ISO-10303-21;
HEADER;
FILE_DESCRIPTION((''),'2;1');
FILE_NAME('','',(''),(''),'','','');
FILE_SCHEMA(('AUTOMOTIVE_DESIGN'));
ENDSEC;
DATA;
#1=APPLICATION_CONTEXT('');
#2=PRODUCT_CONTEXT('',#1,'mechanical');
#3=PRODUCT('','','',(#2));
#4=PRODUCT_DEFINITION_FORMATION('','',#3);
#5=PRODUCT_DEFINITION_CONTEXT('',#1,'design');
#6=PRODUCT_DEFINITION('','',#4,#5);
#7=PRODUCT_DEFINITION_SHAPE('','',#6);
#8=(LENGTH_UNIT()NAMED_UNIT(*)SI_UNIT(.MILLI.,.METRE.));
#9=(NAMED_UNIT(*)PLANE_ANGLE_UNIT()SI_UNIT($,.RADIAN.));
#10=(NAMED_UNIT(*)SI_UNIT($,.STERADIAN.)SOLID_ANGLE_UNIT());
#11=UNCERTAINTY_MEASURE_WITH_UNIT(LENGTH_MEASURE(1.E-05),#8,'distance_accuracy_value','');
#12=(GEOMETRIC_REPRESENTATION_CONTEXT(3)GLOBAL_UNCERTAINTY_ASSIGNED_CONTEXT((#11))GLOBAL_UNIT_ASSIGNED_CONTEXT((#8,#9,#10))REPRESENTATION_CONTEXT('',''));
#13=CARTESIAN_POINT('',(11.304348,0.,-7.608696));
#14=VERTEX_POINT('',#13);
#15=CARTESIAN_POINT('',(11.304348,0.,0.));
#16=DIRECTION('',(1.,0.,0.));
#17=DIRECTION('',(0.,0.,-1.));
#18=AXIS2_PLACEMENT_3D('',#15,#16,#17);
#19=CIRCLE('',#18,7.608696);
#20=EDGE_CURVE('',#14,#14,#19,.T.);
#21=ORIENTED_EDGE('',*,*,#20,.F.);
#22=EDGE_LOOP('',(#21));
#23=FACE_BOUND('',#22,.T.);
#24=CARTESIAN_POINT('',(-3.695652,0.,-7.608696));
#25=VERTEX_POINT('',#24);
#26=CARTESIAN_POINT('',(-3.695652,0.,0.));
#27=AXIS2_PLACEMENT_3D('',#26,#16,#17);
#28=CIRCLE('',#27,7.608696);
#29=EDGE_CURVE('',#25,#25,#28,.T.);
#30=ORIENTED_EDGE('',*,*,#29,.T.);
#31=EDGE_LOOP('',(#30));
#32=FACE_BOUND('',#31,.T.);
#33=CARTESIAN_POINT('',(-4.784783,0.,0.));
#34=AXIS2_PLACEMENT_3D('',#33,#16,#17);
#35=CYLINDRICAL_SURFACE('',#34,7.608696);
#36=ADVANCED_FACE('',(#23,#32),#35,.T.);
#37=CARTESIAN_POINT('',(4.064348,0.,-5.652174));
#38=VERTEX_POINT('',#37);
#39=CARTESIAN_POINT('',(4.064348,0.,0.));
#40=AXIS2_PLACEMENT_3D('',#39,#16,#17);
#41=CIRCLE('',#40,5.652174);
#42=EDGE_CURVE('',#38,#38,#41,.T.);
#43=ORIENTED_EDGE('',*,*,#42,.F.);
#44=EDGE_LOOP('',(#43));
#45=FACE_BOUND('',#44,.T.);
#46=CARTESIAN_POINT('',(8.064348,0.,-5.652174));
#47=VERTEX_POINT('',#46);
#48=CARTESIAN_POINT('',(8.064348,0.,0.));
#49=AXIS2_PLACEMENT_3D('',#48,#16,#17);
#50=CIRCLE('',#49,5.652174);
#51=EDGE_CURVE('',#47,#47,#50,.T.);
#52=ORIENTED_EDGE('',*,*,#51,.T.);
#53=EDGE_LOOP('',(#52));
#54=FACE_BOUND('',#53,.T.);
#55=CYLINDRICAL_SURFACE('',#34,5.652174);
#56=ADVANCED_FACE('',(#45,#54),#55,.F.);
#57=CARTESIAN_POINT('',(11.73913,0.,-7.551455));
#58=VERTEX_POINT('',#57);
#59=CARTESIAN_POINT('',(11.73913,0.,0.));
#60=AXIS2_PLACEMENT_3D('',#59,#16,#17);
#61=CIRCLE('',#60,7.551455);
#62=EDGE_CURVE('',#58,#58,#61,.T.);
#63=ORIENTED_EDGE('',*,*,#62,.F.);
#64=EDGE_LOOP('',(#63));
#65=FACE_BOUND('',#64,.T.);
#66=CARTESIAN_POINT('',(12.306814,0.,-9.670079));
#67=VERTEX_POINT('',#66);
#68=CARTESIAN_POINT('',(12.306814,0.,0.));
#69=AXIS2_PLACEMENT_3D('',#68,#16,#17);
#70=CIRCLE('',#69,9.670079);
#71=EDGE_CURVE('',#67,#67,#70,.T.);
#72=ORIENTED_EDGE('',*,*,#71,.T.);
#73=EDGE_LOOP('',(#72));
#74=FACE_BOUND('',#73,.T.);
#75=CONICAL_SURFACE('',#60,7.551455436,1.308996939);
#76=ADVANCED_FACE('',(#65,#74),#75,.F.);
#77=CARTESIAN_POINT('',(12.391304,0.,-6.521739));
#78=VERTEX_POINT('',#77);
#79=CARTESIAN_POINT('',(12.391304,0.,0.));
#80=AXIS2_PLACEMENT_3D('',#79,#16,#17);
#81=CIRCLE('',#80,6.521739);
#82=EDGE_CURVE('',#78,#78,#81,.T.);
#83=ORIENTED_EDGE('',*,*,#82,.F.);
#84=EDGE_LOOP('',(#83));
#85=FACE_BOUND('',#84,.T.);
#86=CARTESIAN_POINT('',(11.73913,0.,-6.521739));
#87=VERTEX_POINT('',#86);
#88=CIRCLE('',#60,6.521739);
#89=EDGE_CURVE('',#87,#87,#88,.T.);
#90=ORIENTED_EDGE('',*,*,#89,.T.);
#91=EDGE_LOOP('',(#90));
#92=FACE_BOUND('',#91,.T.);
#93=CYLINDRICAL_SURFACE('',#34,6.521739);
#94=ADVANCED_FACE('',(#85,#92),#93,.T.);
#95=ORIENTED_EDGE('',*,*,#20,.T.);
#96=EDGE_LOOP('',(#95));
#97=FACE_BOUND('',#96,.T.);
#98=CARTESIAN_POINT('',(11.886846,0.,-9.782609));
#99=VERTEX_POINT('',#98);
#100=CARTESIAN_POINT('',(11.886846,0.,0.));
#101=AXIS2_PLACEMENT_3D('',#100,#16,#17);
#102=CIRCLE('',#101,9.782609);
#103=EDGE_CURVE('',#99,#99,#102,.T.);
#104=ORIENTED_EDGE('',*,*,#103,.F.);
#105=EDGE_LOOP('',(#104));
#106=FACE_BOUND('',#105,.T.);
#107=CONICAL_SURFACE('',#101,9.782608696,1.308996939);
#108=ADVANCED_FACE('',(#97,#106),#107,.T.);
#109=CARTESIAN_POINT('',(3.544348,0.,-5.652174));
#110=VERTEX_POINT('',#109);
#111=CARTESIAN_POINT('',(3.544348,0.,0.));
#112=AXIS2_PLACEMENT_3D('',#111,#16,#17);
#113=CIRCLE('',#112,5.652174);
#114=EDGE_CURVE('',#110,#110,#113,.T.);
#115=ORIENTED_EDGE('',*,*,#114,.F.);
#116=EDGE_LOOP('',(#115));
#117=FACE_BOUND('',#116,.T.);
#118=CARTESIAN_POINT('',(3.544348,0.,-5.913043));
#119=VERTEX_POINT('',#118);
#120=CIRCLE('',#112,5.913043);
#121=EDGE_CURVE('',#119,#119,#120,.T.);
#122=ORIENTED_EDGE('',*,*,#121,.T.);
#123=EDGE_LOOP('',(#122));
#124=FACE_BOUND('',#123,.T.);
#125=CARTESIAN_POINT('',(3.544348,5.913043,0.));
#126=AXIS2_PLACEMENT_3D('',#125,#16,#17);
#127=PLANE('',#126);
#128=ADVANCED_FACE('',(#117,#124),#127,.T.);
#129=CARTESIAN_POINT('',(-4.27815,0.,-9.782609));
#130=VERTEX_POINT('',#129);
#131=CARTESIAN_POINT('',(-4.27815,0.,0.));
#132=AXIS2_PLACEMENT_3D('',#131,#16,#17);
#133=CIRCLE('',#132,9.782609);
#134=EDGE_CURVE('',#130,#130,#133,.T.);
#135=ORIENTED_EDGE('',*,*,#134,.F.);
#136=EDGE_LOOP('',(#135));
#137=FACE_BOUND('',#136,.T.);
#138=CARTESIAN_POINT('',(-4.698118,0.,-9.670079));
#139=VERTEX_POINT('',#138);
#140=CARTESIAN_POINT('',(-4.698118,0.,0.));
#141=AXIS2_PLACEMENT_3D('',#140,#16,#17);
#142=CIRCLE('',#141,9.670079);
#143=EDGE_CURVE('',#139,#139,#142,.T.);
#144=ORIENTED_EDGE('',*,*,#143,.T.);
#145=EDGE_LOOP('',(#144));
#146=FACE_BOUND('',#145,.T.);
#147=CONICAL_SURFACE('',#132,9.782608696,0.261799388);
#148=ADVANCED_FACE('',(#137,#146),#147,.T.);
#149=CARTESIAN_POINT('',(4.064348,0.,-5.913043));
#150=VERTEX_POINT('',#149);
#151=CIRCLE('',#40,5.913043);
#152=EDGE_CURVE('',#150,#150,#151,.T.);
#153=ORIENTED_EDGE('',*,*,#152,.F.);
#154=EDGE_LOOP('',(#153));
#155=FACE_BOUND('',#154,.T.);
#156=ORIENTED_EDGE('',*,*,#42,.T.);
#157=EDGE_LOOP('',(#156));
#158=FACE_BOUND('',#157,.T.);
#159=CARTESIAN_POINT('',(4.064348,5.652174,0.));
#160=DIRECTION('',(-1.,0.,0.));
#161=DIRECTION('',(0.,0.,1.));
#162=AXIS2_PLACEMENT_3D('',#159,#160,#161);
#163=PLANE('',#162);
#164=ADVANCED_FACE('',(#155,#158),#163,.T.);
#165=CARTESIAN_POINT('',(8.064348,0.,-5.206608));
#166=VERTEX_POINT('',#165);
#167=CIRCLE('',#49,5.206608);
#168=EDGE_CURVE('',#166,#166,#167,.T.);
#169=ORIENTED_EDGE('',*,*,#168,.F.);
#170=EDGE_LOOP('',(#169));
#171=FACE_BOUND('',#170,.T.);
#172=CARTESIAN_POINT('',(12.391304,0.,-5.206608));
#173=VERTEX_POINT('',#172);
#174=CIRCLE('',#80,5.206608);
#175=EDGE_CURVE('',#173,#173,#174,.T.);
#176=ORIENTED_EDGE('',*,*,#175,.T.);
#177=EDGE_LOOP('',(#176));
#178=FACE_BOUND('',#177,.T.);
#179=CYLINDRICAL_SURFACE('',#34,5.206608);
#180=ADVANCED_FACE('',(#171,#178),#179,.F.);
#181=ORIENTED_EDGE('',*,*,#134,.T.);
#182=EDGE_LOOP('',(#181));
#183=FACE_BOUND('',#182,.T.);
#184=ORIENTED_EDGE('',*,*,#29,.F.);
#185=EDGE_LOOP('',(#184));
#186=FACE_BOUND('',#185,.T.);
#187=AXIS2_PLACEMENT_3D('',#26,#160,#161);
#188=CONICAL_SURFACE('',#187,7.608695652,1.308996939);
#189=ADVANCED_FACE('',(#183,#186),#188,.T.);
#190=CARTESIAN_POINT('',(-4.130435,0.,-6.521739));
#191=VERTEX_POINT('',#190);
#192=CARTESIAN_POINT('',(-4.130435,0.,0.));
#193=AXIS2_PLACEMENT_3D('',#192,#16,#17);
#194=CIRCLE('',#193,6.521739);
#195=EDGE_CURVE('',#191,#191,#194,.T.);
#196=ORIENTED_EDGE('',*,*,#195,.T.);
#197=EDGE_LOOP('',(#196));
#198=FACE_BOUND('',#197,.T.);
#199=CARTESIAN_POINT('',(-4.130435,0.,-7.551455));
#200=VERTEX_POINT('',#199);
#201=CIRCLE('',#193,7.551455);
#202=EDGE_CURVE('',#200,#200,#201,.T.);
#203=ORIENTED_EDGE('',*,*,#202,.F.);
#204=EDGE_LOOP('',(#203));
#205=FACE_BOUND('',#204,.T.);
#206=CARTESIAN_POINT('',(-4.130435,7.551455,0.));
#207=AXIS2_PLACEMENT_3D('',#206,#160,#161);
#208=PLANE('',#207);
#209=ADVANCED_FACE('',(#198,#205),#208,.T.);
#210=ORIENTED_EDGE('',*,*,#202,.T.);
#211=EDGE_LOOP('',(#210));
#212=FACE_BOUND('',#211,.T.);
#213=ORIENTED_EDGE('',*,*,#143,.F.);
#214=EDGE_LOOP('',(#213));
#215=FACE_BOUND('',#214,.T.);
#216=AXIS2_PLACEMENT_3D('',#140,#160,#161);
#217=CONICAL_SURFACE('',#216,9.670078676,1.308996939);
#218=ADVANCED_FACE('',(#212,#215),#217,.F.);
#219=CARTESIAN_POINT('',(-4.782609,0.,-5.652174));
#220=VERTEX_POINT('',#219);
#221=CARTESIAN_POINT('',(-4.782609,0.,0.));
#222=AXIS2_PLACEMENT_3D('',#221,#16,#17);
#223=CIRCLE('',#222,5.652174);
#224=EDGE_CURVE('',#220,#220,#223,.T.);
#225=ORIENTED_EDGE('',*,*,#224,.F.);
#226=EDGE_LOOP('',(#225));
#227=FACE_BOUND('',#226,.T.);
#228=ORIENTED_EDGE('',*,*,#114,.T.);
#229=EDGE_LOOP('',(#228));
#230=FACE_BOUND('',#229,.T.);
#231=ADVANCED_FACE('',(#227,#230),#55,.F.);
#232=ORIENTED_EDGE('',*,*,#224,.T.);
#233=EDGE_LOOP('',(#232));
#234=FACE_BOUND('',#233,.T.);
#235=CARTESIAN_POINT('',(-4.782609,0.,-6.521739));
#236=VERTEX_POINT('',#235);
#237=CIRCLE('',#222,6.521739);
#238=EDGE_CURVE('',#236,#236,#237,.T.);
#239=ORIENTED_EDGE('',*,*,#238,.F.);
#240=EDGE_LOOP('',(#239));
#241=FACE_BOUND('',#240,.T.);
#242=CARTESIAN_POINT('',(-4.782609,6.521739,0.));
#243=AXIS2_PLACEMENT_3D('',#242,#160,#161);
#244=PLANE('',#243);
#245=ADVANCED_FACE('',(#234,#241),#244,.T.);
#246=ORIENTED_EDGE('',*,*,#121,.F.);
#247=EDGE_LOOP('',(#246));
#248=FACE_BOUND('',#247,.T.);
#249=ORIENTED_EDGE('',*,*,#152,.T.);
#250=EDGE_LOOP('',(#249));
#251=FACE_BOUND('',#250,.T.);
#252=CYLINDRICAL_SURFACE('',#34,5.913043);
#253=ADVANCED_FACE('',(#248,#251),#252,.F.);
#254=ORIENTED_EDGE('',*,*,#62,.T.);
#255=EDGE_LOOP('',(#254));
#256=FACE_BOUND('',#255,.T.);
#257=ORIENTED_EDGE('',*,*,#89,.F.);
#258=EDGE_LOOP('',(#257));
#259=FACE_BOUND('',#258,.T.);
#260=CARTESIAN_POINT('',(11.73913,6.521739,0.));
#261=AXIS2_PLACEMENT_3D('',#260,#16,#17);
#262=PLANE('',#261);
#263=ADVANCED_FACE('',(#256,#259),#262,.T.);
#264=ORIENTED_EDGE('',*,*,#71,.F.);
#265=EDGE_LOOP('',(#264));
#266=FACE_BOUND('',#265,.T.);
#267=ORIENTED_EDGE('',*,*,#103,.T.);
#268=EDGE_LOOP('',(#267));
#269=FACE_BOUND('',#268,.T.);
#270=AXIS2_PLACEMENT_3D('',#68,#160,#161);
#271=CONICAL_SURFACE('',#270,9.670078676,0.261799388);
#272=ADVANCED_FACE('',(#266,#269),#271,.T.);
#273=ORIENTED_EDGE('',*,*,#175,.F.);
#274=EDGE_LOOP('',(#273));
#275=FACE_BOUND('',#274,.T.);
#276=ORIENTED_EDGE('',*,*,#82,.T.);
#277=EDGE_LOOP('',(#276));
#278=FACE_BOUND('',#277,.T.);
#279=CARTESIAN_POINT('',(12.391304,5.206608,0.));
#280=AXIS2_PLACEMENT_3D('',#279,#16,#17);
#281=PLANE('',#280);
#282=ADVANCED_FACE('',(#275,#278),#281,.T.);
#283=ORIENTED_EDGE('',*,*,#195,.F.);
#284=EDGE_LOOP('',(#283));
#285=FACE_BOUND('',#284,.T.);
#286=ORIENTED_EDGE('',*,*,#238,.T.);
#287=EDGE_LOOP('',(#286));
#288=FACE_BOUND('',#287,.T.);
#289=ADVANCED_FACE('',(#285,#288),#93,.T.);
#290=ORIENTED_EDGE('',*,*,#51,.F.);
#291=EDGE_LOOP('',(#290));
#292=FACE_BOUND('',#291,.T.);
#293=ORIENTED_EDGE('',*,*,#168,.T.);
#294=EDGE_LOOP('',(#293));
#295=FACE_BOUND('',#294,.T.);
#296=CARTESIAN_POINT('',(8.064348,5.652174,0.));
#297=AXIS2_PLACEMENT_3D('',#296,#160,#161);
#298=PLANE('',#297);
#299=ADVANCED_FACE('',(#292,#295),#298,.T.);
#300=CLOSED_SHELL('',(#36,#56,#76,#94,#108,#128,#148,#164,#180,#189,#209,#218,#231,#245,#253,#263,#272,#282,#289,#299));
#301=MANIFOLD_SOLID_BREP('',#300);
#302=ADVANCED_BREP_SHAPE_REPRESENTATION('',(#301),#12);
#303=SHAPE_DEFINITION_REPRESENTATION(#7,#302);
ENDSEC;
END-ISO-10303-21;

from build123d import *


with BuildPart() as part:
    # Sketch1 → Revolve1 (revolve)
    with BuildSketch(Plane.XY):
        Polygon((-4.130434783, 6.52173913), (-4.782608696, 6.52173913), (-4.782608696, 5.652173913), (3.544347826, 5.652173913), (3.544347826, 5.913043478), (4.064347826, 5.913043478), (4.064347826, 5.652173913), (8.064347826, 5.652173913), (8.064347826, 5.206608489), (12.391304348, 5.206608489), (12.391304348, 6.52173913), (11.739130435, 6.52173913), (11.739130435, 7.551455436), (12.306813821, 9.670078676), (11.886846071, 9.782608696), (11.304347826, 7.608695652), (-3.695652174, 7.608695652), (-4.278150418, 9.782608696), (-4.698118169, 9.670078676), (-4.130434783, 7.551455436), align=None)
    revolve(axis=Axis((-4.784782609, 0, 0), (1, 0, 0)))


solid = part.part
